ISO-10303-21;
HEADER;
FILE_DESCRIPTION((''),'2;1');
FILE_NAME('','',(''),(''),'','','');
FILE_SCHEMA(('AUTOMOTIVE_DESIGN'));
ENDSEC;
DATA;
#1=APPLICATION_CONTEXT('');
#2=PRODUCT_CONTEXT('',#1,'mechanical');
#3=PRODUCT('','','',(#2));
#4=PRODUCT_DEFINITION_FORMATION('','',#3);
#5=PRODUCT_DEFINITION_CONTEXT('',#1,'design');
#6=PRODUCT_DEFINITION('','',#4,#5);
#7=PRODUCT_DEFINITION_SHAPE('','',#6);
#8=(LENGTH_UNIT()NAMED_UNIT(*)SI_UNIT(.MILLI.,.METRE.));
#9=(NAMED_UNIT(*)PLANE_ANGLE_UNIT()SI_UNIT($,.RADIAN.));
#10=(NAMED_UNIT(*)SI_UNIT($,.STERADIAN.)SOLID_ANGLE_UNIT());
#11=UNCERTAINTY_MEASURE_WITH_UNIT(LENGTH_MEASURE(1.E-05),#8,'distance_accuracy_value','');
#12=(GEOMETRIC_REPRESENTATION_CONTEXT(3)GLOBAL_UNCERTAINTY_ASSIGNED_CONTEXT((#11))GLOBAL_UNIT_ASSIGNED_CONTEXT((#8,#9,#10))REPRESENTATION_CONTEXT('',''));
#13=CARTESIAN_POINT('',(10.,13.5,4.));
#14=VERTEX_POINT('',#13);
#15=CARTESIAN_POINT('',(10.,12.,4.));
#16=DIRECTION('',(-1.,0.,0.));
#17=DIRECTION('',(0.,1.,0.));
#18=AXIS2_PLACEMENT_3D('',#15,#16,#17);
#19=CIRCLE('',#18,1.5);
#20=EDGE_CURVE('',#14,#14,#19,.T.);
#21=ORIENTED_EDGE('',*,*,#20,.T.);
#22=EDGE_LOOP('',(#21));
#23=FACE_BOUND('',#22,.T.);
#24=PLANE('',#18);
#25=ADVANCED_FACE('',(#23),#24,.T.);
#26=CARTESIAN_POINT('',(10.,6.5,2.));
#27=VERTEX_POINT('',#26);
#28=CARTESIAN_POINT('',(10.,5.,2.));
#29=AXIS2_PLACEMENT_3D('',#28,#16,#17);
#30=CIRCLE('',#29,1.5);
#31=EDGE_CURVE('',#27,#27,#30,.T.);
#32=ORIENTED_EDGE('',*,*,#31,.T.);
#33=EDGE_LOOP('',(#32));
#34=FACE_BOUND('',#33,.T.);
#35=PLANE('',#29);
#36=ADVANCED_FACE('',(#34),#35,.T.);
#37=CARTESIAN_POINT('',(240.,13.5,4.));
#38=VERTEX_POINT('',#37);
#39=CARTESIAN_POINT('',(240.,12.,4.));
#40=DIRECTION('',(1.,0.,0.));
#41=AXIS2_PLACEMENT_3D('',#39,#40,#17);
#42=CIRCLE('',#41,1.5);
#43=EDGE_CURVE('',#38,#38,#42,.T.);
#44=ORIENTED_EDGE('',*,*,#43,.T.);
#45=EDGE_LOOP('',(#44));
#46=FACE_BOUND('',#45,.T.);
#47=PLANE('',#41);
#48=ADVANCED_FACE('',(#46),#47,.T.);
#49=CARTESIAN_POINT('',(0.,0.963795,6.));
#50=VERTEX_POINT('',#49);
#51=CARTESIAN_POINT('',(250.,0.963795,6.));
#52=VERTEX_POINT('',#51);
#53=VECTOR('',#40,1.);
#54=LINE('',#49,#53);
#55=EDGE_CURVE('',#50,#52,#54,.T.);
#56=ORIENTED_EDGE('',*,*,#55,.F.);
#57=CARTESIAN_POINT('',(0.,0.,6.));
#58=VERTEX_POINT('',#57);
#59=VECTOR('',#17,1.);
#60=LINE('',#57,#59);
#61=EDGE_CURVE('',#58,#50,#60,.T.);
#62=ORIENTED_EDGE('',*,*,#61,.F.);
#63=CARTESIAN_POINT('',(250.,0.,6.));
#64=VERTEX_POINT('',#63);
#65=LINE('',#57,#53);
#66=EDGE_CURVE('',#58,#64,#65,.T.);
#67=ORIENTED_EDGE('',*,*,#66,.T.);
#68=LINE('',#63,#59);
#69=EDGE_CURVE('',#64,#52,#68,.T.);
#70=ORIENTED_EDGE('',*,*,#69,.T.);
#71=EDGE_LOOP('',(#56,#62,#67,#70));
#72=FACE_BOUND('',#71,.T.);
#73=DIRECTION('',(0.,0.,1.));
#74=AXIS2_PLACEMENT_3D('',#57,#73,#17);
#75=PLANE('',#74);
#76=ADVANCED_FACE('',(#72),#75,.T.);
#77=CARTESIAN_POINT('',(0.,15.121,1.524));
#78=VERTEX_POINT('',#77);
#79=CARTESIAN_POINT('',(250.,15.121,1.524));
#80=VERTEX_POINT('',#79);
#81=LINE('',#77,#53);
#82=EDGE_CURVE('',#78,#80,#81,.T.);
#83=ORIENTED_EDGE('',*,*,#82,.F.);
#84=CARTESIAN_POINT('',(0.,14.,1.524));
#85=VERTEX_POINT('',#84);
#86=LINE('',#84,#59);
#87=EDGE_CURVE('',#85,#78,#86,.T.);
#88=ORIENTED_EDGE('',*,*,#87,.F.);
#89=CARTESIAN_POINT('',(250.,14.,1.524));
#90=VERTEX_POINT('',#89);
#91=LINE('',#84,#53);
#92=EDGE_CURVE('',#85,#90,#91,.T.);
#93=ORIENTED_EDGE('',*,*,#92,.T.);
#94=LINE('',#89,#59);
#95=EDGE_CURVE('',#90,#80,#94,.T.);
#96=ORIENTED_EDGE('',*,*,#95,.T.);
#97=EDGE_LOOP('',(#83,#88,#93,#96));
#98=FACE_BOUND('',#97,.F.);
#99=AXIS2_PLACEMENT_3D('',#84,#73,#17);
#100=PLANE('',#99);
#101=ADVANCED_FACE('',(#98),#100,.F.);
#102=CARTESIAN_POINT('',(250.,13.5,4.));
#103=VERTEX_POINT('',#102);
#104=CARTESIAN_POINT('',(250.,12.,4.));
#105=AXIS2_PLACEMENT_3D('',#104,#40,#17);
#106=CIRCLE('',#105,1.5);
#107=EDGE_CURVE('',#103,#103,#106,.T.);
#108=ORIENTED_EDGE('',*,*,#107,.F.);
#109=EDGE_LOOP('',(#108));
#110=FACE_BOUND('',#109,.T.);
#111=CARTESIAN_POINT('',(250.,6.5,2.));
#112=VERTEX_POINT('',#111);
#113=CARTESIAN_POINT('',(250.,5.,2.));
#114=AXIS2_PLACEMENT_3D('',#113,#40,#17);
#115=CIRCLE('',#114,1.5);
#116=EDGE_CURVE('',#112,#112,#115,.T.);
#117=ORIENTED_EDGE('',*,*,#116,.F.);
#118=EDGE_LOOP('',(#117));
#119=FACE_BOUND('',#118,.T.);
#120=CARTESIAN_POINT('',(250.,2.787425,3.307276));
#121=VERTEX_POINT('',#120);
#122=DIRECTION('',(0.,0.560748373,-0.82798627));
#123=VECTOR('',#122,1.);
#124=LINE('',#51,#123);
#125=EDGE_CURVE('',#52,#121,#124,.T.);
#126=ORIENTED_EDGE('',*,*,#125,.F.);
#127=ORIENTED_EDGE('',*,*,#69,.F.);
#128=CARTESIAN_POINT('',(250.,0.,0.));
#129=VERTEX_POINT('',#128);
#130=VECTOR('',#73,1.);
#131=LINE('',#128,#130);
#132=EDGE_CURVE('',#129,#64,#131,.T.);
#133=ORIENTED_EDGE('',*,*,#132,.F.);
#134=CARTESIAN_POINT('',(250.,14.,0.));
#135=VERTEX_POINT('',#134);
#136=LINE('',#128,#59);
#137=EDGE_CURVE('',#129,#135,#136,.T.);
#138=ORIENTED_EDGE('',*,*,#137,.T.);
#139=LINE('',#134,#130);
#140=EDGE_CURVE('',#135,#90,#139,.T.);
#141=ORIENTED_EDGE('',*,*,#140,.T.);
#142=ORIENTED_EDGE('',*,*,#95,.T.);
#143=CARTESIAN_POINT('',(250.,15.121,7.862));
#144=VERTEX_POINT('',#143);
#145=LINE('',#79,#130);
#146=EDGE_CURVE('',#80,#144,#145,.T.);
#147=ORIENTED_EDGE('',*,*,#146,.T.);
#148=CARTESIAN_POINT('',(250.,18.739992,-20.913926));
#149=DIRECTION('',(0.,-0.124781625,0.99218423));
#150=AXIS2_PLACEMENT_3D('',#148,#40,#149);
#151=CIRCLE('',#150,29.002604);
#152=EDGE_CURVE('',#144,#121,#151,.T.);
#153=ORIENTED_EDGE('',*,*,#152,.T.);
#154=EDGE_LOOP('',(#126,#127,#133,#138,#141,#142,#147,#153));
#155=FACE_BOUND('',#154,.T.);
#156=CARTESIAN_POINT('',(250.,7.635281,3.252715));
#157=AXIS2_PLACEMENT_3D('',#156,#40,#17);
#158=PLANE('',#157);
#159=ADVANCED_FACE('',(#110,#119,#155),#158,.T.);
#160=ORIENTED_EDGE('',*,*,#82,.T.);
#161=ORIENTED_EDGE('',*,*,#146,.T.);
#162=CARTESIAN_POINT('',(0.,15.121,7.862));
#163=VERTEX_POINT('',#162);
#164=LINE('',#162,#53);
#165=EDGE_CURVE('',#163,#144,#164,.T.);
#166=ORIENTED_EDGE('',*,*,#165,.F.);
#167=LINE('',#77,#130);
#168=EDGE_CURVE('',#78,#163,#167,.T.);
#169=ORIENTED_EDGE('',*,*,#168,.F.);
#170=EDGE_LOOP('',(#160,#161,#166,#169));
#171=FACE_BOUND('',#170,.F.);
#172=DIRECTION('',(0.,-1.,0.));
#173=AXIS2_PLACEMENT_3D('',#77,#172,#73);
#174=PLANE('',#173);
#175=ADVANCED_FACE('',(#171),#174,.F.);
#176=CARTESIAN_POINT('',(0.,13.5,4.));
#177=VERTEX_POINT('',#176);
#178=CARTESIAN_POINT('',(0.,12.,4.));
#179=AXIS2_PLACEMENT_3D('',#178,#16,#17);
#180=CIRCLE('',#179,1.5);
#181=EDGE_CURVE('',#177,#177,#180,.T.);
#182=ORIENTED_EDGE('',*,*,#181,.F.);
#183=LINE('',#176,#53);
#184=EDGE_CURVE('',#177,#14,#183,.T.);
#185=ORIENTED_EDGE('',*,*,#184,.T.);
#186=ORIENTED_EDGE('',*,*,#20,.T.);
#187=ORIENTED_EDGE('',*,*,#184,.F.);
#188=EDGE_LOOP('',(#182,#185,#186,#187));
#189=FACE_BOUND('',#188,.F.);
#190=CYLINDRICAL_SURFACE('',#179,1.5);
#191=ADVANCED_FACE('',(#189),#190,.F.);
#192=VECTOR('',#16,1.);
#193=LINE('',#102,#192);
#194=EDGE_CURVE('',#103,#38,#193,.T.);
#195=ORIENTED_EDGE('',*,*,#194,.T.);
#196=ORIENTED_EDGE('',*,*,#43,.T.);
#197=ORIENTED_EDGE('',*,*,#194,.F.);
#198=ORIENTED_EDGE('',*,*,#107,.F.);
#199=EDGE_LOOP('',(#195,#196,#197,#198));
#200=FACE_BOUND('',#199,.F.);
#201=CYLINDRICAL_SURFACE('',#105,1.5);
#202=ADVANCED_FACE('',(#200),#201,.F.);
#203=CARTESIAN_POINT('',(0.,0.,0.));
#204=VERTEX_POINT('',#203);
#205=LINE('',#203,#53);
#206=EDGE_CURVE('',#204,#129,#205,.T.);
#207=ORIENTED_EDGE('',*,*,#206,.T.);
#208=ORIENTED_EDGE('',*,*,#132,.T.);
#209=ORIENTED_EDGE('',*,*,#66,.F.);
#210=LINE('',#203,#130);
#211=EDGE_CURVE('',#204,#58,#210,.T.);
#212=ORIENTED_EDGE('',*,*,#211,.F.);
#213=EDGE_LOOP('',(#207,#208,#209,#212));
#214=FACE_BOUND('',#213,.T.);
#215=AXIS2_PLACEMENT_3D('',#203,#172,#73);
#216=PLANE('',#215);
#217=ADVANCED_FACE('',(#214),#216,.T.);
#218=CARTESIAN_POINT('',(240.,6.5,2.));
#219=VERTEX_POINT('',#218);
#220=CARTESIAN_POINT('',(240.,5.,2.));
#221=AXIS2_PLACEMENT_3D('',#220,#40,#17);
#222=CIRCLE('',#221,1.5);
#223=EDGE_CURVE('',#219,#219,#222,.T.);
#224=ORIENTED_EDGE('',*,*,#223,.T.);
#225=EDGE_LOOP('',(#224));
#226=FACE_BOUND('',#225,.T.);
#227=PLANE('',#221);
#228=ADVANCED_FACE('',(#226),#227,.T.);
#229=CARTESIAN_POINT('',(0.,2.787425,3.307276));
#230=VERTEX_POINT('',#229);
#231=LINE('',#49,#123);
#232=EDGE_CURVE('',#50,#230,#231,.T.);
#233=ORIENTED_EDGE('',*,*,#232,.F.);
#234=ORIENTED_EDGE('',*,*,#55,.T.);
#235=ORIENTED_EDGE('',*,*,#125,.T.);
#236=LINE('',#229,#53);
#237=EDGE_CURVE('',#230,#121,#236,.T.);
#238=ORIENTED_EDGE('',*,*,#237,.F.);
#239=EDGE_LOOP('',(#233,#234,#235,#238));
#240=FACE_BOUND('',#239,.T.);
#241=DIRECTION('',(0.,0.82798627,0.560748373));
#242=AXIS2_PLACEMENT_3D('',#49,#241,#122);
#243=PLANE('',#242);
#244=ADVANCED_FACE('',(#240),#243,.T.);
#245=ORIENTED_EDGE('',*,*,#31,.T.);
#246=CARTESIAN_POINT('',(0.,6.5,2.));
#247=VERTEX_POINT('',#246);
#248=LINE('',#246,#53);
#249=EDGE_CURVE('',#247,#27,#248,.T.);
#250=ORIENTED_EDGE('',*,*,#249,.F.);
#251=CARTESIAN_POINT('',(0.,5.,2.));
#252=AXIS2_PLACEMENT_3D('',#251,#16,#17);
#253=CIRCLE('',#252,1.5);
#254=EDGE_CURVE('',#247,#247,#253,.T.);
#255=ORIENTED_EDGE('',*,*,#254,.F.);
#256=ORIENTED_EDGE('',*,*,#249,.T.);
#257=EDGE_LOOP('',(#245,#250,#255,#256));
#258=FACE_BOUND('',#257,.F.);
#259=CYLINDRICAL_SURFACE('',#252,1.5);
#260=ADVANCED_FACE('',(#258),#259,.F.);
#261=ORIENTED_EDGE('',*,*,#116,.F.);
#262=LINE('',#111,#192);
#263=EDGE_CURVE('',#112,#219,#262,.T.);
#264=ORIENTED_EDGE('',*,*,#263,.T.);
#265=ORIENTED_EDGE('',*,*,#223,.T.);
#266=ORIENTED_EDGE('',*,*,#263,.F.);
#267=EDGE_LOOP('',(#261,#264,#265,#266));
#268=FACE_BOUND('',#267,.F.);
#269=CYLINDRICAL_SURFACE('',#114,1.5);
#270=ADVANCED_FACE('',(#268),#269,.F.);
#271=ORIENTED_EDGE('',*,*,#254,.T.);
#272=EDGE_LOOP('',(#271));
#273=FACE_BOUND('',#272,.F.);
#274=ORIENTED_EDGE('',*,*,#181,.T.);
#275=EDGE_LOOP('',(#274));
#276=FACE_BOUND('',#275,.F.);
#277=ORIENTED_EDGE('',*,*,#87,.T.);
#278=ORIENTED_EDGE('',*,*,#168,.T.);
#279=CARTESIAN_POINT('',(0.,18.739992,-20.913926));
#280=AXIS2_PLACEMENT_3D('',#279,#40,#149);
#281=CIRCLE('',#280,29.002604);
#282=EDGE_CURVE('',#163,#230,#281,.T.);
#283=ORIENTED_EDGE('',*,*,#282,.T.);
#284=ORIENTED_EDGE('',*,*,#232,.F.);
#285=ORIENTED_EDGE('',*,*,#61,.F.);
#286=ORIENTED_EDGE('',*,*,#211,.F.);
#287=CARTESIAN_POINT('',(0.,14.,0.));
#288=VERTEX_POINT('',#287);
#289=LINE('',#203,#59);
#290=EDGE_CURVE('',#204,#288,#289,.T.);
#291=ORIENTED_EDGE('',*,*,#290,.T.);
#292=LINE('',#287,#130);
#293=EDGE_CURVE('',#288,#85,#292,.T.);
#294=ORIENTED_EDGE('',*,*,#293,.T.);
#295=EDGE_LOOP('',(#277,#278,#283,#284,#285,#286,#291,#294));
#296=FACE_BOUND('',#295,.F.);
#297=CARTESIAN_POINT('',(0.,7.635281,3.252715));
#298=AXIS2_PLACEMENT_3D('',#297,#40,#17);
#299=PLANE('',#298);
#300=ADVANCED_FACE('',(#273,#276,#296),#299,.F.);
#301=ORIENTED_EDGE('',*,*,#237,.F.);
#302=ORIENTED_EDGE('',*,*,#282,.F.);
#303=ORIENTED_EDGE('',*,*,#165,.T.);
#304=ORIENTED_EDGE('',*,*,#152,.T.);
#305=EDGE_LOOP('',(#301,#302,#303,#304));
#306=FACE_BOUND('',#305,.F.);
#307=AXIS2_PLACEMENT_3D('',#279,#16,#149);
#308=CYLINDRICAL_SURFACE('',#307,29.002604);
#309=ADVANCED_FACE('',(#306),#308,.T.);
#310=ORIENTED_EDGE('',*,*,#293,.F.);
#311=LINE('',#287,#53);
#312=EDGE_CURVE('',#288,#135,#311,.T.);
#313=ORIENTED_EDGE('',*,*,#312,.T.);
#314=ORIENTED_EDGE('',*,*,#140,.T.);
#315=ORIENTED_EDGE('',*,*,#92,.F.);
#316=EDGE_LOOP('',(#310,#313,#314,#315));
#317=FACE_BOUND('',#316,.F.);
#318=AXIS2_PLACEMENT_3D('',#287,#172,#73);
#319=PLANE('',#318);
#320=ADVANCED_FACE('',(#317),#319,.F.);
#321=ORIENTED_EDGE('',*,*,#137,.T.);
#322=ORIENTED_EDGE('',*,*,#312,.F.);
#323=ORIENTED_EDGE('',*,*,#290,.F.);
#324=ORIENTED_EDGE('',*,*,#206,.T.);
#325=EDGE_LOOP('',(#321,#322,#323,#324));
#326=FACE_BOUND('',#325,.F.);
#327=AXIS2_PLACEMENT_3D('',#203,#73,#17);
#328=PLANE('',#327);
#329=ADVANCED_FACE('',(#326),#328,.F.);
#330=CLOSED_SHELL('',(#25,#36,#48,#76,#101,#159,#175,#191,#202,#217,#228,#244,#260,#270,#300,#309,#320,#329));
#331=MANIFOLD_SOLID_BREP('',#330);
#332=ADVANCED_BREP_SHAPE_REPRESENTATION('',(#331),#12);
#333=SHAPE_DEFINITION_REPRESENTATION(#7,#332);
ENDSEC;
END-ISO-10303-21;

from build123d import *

# Parameters (mm, degrees)
PAD_DEPTH       = 250
SKETCH001_R     = 1.5
POCKET_DEPTH    = 10
SKETCH002_R     = 1.5
POCKET001_DEPTH = 10


with BuildPart() as part:
    # Sketch → Pad (new body)
    with BuildSketch(Plane.YZ):
        with BuildLine():
            Line((0, 0), (14, 0))
            Line((14, 0), (14, 1.524))
            Line((14, 1.524), (15.121, 1.524))
            Line((15.121, 1.524), (15.121, 7.862))
            ThreePointArc((15.121, 7.862), (8.692711, 6.292749), (2.787425, 3.307276))
            Line((0.963795, 6), (2.787425, 3.307276))
            Line((0, 6), (0.963795, 6))
            Line((0, 0), (0, 6))
        make_face()
    extrude(amount=PAD_DEPTH)

    # Sketch001 (on Face10 of Pad) → Pocket (cut)
    with BuildSketch(Plane.YZ.offset(250)):
        with Locations((12, 4)):
            Circle(SKETCH001_R)
        with Locations((5, 2)):
            Circle(SKETCH001_R)
    extrude(amount=-POCKET_DEPTH, mode=Mode.SUBTRACT)

    # Sketch002 (on Face4 of Pocket) → Pocket001 (cut)
    with BuildSketch(Plane(origin=(0, 0, 0), x_dir=(0, 1, 0), z_dir=(-1, 0, 0))):
        with Locations((12, -4)):
            Circle(SKETCH002_R)
        with Locations((5, -2)):
            Circle(SKETCH002_R)
    extrude(amount=-POCKET001_DEPTH, mode=Mode.SUBTRACT)


solid = part.part
